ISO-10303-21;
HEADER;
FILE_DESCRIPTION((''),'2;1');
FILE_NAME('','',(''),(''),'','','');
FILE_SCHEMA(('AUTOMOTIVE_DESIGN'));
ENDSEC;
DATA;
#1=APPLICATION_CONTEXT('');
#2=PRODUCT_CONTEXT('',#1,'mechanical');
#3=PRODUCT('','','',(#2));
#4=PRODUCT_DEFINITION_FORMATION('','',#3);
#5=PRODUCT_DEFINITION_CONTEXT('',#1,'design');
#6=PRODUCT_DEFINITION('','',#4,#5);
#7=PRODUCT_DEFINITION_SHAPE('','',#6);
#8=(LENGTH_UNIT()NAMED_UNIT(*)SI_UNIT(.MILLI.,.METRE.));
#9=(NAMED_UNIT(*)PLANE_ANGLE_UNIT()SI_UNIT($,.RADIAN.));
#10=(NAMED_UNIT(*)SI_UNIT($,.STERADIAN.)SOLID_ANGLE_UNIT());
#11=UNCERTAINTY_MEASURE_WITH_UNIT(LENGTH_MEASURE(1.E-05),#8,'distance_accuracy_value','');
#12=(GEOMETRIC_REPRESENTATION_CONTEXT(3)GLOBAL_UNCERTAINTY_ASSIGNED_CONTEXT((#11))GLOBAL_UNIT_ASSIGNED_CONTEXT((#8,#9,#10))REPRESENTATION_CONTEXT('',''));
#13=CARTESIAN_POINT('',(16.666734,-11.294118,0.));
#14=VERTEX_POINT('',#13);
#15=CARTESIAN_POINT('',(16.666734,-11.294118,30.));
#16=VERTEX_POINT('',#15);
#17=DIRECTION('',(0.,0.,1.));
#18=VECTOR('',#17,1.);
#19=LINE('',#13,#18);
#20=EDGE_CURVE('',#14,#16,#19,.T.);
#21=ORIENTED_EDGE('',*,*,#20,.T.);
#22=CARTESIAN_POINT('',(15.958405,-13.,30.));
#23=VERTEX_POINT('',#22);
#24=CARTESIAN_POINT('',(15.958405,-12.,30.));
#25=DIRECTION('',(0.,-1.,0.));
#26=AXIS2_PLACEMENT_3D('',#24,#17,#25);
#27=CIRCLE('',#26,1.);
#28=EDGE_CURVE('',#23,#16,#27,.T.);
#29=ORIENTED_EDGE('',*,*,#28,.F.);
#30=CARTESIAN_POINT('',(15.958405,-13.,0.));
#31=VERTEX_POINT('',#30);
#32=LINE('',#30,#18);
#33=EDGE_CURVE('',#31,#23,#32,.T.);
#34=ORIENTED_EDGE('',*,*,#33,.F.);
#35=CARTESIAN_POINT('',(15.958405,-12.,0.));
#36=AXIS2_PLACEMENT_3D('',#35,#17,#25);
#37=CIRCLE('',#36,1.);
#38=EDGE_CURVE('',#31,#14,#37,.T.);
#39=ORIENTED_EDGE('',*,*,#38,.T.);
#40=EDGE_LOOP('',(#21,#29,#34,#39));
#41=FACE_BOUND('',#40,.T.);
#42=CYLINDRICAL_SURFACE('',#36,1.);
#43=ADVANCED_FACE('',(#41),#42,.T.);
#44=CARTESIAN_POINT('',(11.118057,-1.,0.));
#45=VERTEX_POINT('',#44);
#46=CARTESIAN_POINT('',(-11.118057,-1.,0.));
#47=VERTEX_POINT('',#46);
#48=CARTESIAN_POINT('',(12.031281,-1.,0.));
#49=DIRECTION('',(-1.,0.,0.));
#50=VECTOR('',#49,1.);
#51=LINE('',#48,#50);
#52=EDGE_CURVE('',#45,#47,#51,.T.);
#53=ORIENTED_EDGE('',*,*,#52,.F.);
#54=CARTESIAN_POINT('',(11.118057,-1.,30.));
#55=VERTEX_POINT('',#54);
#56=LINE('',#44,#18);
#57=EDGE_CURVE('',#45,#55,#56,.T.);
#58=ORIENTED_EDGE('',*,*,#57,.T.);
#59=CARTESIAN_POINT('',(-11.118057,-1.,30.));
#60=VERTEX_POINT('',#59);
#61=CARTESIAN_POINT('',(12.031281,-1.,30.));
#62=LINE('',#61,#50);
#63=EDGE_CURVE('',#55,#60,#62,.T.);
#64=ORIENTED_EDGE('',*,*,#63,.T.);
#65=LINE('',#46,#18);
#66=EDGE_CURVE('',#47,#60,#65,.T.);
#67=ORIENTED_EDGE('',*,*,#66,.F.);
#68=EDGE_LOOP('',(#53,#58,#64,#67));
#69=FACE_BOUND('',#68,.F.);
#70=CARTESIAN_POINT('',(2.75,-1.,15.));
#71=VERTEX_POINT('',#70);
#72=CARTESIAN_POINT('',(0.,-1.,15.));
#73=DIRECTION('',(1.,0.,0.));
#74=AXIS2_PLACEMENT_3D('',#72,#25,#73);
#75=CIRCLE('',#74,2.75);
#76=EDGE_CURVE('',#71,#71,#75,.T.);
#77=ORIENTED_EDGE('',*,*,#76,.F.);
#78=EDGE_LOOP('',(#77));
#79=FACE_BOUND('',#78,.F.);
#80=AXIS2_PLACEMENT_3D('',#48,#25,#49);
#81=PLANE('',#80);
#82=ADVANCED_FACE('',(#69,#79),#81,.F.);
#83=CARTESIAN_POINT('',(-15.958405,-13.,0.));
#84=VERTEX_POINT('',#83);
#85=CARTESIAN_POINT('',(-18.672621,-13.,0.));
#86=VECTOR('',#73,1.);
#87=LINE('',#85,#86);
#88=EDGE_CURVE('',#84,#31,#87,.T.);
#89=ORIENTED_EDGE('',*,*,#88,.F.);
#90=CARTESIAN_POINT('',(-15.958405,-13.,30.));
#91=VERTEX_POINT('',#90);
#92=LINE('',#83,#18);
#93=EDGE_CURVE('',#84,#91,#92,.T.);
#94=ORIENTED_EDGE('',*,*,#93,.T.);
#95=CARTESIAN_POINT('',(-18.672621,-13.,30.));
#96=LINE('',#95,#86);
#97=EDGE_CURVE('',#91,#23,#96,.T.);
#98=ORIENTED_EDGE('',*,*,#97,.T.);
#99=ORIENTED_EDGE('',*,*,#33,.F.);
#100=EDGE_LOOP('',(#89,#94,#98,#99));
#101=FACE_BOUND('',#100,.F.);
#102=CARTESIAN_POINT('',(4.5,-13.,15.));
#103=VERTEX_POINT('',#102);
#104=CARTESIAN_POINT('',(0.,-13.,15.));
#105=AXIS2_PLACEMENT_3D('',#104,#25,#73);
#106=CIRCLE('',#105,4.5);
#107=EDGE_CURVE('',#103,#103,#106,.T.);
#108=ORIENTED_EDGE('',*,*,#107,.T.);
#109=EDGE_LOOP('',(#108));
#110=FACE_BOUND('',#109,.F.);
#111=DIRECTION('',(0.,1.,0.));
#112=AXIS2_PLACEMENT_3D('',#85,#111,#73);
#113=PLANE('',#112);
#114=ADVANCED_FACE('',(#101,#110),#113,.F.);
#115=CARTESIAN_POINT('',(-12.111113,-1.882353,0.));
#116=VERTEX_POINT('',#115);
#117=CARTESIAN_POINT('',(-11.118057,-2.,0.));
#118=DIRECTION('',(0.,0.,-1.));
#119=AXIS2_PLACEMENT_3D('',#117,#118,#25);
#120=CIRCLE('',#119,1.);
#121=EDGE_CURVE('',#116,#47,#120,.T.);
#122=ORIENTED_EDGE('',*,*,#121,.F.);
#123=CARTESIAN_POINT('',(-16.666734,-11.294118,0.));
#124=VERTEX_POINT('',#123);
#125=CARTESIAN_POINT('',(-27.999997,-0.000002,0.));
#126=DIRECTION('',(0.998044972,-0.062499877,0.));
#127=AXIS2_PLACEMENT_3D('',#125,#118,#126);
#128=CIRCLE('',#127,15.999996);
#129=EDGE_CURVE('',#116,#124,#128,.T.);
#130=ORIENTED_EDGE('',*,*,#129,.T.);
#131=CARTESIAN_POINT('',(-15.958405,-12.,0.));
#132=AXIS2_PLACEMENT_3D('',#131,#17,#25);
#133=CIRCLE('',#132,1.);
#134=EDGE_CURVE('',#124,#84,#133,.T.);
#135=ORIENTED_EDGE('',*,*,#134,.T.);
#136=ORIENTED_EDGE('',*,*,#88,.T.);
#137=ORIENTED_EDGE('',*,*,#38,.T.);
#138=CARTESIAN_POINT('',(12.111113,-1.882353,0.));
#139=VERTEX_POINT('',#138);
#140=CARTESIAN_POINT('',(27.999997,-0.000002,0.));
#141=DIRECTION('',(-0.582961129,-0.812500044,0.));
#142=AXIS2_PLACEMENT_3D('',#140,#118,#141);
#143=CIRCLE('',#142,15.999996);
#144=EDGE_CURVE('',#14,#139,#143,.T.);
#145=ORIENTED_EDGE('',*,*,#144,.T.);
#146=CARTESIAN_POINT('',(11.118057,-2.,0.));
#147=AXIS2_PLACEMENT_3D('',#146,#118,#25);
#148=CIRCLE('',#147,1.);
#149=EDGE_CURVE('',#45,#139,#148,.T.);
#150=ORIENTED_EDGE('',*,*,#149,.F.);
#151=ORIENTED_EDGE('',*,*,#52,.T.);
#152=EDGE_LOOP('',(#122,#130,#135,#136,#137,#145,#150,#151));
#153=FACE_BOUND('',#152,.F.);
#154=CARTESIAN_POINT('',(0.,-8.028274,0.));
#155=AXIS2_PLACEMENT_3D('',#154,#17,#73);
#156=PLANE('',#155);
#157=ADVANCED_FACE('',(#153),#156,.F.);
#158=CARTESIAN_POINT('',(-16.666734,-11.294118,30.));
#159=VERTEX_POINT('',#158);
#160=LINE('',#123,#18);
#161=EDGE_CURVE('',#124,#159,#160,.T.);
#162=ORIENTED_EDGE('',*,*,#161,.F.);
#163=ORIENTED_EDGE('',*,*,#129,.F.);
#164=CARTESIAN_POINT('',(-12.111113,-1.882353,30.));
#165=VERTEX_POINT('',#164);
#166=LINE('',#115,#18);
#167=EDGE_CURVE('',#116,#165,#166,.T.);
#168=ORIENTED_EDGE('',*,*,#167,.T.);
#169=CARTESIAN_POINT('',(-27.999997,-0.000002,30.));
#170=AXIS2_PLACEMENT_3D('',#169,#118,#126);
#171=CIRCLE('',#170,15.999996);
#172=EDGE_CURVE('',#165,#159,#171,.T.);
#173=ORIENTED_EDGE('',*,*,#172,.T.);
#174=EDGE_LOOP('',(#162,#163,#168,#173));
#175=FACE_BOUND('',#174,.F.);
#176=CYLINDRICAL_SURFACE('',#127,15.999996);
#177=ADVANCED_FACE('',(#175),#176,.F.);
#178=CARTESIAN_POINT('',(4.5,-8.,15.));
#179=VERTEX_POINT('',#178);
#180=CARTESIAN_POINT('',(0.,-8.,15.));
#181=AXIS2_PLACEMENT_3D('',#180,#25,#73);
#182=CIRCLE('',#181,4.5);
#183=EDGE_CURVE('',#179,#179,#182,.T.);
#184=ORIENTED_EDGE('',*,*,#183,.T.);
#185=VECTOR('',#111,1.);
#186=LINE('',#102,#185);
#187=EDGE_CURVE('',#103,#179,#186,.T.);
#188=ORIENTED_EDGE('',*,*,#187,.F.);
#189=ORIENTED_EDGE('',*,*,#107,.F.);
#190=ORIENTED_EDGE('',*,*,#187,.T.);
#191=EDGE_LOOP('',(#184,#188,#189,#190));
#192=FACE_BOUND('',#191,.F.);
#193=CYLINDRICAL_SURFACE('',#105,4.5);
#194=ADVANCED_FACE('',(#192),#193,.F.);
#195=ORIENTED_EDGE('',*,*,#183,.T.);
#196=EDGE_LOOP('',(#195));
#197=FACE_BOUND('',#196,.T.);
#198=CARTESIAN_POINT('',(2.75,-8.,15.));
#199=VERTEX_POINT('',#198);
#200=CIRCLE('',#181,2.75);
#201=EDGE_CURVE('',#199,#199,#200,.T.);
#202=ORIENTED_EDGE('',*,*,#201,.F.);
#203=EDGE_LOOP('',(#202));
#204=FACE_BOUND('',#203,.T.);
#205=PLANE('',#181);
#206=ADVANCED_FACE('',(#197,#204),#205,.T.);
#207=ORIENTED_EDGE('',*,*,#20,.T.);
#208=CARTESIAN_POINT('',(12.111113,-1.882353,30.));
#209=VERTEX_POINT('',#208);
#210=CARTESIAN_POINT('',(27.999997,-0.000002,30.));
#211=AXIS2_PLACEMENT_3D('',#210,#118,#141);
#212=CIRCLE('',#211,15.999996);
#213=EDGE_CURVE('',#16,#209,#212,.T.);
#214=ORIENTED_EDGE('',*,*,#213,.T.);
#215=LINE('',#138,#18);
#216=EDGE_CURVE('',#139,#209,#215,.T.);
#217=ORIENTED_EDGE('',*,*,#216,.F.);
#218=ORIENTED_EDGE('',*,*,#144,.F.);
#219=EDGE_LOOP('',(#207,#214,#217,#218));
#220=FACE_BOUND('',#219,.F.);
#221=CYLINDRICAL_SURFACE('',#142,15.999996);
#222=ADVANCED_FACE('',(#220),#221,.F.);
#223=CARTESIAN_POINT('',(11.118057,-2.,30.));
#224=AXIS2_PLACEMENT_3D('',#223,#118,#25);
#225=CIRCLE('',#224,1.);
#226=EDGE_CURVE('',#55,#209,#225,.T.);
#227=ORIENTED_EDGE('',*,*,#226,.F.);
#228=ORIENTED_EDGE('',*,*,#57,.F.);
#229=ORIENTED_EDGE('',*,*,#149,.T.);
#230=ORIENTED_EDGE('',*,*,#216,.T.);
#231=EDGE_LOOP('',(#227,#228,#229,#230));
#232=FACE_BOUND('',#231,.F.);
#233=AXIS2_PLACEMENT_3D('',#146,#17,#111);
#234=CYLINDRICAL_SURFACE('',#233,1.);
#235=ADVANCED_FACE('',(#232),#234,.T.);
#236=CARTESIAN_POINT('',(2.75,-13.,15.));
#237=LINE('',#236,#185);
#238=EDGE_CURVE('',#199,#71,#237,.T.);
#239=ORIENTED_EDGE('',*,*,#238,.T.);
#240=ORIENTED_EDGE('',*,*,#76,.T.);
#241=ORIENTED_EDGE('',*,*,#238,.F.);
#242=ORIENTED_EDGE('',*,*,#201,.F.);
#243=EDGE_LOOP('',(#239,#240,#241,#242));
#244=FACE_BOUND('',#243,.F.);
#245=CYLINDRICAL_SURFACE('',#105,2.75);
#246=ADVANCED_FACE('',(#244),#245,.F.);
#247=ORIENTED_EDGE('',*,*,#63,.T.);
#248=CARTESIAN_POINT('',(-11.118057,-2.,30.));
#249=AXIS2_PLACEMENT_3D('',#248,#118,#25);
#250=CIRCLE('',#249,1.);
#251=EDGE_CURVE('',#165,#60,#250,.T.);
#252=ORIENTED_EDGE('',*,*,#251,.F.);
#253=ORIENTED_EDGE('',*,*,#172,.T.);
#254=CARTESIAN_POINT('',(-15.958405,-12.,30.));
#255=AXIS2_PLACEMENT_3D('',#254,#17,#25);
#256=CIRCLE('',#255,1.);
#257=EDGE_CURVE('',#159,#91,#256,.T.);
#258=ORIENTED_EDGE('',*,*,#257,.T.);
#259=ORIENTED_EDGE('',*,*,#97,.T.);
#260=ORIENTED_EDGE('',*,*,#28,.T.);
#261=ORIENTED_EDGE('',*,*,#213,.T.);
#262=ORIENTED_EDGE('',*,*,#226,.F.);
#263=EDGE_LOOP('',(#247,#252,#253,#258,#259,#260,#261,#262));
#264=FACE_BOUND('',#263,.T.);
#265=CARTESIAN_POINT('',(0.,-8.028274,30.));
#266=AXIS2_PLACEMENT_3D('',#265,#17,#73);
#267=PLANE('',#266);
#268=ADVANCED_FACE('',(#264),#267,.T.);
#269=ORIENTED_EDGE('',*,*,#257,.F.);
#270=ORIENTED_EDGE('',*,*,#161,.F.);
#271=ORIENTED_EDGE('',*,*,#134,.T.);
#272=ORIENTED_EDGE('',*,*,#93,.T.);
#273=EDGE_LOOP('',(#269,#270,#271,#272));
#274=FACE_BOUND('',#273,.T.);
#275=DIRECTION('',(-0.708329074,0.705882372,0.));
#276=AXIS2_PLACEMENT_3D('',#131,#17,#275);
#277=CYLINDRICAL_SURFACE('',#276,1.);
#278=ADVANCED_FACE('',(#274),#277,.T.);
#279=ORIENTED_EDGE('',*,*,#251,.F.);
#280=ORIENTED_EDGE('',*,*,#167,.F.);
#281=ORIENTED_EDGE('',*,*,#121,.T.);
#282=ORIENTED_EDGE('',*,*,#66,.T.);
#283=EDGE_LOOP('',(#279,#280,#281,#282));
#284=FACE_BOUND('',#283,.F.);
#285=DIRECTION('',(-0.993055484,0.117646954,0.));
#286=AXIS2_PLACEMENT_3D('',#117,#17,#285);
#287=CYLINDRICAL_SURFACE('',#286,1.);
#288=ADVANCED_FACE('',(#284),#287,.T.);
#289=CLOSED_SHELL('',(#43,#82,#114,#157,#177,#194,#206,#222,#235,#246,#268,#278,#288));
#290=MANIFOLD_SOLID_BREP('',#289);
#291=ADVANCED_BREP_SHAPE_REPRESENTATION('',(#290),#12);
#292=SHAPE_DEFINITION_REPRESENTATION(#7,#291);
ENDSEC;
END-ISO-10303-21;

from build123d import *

# Parameters (mm, degrees)
F1_DEPTH  = 30
F2_R      = 4.5
F2_R_2    = 2.75
F3_DEPTH  = 5
F3_FACE_R = 2.75
F4_DEPTH  = 12
F5_R      = 1


with BuildPart() as f1:
    # F0 (on Top) → F1 (new body)
    with BuildSketch(Plane.XY):
        with BuildLine():
            ThreePointArc((-12.031281, -1), (-14.000959, -7.7477), (-18.672621, -13))
            Line((-18.672621, -13), (18.672621, -13))
            ThreePointArc((18.672621, -13), (14.000959, -7.7477), (12.031281, -1))
            Line((12.031281, -1), (-12.031281, -1))
        make_face()
    extrude(amount=F1_DEPTH)

    # F2 (on face) → F3 (cut)
    with BuildSketch(Plane.XZ.offset(13)):
        with Locations((0, 15)):
            Circle(F2_R)
        with Locations((0, 15)):
            Circle(F2_R_2, mode=Mode.SUBTRACT)
    extrude(amount=-F3_DEPTH, mode=Mode.SUBTRACT)

    # F3_face (on face) → F4 (cut, through all)
    with BuildSketch(Plane(origin=(0, -13, 15), x_dir=(1, 0, 0), z_dir=(0, -1, 0))):
        Circle(F3_FACE_R)
    extrude(amount=-F4_DEPTH, mode=Mode.SUBTRACT)

    # F5
    f5_edges = [f1.edges().sort_by_distance(p)[0] for p in [
        (-18.672621, -13, 15),
        (-12.031281, -1, 15),
        (18.672621, -13, 15),
        (12.031281, -1, 15),
    ]]
    fillet(f5_edges, radius=F5_R)


solid = f1.part
